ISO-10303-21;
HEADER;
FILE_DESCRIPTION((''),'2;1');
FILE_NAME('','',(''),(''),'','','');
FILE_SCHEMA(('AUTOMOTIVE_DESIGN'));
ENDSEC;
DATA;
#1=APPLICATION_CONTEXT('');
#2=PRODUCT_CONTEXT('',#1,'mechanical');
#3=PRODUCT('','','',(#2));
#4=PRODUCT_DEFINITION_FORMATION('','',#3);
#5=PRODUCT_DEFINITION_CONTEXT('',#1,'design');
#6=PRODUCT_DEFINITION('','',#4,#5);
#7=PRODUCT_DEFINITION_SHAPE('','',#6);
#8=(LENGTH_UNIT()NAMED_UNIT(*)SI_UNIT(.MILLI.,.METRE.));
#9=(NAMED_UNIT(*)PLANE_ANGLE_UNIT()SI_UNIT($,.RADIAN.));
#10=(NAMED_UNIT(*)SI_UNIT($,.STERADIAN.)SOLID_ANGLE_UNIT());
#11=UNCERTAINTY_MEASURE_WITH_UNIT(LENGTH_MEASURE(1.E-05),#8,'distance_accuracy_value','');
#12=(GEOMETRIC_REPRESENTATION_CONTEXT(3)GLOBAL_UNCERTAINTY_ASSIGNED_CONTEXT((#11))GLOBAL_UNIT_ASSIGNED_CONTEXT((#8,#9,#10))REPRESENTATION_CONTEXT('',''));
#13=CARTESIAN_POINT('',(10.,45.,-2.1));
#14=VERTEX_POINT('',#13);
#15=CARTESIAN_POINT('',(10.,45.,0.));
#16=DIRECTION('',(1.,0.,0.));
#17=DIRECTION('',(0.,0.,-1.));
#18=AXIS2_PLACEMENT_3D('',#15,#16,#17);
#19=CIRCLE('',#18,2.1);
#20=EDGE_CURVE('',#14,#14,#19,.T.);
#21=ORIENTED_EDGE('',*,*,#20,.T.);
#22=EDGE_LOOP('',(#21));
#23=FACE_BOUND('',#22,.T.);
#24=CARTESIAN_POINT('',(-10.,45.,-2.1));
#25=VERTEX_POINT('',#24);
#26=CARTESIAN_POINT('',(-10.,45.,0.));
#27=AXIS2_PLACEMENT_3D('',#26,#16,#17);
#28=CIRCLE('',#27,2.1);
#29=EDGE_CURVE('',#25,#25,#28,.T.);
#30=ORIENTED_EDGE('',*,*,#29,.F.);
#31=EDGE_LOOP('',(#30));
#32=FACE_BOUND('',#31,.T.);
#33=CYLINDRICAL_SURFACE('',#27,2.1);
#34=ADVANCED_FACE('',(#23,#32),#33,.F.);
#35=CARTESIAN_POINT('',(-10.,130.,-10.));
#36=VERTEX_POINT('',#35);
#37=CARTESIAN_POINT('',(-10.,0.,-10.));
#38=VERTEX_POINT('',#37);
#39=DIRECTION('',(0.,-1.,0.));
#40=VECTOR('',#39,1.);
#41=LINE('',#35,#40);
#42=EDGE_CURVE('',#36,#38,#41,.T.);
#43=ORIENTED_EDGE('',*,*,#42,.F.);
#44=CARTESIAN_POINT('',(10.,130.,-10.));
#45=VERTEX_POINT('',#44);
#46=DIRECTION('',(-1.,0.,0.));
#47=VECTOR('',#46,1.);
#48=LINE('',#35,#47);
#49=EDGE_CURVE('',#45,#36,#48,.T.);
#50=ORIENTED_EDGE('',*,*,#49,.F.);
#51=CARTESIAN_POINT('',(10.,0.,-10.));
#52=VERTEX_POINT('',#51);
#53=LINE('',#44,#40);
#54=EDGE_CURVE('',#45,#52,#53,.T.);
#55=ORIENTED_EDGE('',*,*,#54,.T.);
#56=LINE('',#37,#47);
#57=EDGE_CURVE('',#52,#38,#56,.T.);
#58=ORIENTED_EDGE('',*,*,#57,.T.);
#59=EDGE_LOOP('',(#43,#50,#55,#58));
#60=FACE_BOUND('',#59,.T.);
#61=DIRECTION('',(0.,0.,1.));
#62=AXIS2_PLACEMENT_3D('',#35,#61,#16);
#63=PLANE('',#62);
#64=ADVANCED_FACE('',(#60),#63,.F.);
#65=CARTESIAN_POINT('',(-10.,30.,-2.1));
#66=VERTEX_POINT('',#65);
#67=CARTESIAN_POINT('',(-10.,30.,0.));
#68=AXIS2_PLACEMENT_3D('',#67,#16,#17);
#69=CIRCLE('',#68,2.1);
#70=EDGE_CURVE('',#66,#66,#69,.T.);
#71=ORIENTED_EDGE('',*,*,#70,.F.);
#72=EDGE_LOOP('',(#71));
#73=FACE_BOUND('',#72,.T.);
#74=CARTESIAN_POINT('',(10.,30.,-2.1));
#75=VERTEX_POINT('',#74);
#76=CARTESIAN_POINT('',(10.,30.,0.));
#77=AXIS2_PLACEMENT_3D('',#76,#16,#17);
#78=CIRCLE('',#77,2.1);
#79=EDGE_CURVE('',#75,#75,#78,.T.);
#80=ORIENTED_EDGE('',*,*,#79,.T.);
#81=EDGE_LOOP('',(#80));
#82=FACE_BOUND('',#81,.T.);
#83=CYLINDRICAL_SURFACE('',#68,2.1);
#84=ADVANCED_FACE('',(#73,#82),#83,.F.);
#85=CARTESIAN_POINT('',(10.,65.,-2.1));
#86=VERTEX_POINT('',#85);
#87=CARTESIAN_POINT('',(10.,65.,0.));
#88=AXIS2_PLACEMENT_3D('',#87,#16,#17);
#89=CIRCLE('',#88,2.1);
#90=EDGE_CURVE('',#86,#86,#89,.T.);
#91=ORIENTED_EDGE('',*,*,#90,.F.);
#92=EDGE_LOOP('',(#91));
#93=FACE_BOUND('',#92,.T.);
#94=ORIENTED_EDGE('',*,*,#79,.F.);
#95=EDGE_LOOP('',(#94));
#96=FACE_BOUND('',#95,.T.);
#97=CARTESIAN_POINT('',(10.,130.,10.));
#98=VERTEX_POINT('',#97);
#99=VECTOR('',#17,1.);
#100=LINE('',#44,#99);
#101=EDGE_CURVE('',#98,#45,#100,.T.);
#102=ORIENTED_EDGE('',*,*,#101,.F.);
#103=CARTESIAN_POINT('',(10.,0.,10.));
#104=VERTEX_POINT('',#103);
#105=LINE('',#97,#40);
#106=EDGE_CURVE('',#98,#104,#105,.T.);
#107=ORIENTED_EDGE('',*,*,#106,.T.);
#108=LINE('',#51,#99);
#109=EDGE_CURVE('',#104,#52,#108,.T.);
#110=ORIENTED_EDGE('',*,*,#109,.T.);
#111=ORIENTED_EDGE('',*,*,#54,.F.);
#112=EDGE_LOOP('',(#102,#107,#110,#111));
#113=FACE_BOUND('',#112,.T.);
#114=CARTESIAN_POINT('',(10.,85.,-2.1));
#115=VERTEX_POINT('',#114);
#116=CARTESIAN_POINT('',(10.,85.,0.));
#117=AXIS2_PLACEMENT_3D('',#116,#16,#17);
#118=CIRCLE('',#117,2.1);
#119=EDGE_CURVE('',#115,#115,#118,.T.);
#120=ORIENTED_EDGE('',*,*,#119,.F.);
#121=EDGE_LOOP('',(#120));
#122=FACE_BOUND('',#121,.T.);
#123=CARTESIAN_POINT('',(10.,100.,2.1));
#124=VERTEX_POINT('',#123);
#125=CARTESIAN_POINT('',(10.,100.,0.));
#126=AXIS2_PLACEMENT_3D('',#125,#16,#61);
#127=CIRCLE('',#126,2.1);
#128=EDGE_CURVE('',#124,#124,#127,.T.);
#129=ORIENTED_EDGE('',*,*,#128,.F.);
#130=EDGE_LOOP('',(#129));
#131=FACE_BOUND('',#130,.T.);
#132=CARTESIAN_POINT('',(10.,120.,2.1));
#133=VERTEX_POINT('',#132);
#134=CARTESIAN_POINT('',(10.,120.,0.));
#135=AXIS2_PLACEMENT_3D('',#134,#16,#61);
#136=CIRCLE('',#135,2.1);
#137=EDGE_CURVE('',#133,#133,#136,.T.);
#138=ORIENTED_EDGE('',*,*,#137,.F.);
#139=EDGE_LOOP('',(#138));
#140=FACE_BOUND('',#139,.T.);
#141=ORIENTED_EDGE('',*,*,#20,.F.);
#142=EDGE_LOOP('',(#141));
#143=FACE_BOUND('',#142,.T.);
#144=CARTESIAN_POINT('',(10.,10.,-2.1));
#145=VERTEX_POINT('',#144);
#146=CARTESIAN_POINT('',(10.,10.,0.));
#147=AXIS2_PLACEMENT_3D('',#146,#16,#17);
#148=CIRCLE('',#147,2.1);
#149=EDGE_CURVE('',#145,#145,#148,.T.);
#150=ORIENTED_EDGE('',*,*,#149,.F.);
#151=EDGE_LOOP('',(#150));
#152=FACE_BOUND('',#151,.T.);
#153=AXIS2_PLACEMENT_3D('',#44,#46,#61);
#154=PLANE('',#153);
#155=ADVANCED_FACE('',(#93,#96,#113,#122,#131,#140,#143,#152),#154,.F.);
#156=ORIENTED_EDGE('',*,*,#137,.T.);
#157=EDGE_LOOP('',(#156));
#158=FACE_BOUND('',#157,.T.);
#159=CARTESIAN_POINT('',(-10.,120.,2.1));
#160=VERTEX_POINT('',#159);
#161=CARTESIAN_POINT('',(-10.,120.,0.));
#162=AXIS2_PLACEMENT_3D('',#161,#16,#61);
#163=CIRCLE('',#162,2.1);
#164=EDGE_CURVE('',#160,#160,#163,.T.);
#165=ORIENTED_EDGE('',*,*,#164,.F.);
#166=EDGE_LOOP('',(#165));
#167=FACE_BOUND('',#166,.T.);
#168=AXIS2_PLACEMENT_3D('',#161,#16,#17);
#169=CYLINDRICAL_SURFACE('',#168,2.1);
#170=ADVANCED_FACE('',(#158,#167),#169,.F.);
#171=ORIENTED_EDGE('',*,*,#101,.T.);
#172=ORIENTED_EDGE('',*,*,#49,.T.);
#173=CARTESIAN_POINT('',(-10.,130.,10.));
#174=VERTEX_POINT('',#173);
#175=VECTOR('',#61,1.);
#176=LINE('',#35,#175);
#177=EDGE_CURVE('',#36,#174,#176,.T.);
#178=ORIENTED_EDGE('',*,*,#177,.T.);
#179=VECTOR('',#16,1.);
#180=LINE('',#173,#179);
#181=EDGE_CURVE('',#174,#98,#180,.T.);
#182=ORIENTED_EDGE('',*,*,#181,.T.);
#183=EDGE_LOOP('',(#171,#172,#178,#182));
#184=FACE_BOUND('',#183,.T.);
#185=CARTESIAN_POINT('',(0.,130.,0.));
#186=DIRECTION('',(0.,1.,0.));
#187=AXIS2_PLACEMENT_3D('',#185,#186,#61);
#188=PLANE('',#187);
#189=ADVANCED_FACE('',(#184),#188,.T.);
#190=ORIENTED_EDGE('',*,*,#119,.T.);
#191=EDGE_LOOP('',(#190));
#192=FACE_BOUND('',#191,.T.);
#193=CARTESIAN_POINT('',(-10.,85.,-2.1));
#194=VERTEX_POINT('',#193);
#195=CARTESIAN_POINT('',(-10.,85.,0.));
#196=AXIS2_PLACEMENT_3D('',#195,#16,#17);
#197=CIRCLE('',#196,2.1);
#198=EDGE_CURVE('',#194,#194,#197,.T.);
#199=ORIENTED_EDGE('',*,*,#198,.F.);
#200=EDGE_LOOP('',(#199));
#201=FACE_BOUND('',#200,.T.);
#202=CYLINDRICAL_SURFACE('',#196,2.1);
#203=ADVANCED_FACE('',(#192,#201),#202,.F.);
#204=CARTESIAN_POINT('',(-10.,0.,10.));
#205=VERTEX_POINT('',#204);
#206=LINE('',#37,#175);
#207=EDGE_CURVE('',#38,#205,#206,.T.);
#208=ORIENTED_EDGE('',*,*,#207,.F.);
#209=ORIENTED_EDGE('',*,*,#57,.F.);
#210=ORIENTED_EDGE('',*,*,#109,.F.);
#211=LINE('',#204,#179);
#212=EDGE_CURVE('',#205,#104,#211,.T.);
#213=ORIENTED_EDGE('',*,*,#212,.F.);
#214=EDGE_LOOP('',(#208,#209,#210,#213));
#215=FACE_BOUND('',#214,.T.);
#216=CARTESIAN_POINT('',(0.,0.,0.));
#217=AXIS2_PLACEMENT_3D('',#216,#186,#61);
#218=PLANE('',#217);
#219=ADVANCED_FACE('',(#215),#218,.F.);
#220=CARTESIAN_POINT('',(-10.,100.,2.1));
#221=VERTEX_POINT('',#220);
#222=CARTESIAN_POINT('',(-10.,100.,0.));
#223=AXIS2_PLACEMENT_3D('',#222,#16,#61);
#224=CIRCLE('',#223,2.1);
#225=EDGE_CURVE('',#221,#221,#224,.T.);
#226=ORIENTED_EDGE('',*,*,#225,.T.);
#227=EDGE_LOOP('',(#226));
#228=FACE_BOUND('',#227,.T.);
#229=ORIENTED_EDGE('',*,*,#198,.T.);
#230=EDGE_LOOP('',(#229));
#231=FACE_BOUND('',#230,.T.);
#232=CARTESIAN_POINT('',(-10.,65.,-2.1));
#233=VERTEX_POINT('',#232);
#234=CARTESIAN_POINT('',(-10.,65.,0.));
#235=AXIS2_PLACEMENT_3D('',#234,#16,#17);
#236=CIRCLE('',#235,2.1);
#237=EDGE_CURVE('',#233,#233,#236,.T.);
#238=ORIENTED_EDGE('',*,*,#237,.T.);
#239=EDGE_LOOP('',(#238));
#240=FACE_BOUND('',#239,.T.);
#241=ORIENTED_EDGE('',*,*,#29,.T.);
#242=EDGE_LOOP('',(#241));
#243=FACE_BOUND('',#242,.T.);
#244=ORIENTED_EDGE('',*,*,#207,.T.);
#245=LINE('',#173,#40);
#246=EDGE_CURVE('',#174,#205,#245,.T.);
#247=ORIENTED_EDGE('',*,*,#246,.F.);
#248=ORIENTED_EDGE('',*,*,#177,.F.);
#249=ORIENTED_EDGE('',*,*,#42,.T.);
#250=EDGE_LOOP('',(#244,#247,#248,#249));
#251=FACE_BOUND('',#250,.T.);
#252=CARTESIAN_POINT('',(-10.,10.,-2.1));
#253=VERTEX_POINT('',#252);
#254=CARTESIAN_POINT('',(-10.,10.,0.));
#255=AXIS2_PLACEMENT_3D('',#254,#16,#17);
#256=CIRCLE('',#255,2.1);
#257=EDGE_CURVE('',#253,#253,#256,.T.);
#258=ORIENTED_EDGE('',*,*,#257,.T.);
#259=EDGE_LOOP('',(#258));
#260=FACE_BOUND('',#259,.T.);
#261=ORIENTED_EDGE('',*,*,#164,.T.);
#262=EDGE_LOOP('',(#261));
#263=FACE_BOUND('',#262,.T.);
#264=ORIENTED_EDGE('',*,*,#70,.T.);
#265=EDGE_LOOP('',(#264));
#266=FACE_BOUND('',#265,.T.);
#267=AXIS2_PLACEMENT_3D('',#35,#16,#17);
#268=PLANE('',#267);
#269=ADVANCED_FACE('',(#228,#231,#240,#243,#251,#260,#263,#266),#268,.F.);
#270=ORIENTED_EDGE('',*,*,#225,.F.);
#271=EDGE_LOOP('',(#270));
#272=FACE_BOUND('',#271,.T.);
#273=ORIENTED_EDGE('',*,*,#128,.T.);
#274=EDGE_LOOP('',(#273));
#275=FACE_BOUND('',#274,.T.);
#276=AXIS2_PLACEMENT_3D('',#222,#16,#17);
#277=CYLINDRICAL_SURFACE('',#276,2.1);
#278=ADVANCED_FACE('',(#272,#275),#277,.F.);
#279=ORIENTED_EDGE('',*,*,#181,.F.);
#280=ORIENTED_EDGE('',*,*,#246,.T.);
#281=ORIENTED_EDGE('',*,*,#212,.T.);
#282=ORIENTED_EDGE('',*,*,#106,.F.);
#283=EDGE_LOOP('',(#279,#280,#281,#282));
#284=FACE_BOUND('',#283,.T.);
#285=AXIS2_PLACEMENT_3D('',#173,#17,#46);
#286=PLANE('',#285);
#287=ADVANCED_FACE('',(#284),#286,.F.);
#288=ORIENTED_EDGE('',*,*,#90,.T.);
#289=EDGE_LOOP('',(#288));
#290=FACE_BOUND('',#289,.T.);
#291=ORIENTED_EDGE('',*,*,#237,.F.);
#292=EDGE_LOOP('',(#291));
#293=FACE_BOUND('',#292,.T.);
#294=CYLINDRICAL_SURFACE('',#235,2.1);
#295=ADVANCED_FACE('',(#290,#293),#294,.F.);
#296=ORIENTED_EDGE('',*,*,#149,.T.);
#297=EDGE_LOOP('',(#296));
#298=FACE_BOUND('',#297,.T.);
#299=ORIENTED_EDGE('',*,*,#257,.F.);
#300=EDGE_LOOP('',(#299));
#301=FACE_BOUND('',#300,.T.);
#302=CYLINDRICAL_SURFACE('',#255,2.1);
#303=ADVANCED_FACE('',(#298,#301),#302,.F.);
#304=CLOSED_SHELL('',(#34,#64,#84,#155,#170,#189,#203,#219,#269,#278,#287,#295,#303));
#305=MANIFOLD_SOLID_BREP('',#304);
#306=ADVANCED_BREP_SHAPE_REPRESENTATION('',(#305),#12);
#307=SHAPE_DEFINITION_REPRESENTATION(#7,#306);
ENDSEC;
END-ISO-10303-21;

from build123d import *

# Parameters (mm, degrees)
SKETCH_1_W          = 20
SKETCH_1_H          = 20
EXTRUDE_1_DEPTH     = 130
SKETCH_2_R          = 2.1
CUT_EXTRUDE_1_DEPTH = 132.909059583


with BuildPart() as part:
    # 草图1 → 凸台-拉伸1 (new body)
    with BuildSketch(Plane(origin=(0, 0, 0), x_dir=(1, 0, 0), z_dir=(0, 1, 0))):
        Rectangle(SKETCH_1_W, SKETCH_1_H)
    extrude(amount=EXTRUDE_1_DEPTH)

    # 草图2 → 切除-拉伸1 (cut, through all)
    with BuildSketch(Plane(origin=(10, 0, 0), x_dir=(0, 0, -1), z_dir=(1, 0, 0))):
        with Locations((0, 45)):
            Circle(SKETCH_2_R)
        with Locations((0, 65)):
            Circle(SKETCH_2_R)
        with Locations((0, 85)):
            Circle(SKETCH_2_R)
        with Locations((0, 10)):
            Circle(SKETCH_2_R)
        with Locations((0, 30)):
            Circle(SKETCH_2_R)
        with Locations(Location((0, 100, 0), (0, 0, 180))):
            Circle(SKETCH_2_R)
        with Locations(Location((0, 120, 0), (0, 0, 180))):
            Circle(SKETCH_2_R)
    extrude(amount=-CUT_EXTRUDE_1_DEPTH, mode=Mode.SUBTRACT)


solid = part.part
